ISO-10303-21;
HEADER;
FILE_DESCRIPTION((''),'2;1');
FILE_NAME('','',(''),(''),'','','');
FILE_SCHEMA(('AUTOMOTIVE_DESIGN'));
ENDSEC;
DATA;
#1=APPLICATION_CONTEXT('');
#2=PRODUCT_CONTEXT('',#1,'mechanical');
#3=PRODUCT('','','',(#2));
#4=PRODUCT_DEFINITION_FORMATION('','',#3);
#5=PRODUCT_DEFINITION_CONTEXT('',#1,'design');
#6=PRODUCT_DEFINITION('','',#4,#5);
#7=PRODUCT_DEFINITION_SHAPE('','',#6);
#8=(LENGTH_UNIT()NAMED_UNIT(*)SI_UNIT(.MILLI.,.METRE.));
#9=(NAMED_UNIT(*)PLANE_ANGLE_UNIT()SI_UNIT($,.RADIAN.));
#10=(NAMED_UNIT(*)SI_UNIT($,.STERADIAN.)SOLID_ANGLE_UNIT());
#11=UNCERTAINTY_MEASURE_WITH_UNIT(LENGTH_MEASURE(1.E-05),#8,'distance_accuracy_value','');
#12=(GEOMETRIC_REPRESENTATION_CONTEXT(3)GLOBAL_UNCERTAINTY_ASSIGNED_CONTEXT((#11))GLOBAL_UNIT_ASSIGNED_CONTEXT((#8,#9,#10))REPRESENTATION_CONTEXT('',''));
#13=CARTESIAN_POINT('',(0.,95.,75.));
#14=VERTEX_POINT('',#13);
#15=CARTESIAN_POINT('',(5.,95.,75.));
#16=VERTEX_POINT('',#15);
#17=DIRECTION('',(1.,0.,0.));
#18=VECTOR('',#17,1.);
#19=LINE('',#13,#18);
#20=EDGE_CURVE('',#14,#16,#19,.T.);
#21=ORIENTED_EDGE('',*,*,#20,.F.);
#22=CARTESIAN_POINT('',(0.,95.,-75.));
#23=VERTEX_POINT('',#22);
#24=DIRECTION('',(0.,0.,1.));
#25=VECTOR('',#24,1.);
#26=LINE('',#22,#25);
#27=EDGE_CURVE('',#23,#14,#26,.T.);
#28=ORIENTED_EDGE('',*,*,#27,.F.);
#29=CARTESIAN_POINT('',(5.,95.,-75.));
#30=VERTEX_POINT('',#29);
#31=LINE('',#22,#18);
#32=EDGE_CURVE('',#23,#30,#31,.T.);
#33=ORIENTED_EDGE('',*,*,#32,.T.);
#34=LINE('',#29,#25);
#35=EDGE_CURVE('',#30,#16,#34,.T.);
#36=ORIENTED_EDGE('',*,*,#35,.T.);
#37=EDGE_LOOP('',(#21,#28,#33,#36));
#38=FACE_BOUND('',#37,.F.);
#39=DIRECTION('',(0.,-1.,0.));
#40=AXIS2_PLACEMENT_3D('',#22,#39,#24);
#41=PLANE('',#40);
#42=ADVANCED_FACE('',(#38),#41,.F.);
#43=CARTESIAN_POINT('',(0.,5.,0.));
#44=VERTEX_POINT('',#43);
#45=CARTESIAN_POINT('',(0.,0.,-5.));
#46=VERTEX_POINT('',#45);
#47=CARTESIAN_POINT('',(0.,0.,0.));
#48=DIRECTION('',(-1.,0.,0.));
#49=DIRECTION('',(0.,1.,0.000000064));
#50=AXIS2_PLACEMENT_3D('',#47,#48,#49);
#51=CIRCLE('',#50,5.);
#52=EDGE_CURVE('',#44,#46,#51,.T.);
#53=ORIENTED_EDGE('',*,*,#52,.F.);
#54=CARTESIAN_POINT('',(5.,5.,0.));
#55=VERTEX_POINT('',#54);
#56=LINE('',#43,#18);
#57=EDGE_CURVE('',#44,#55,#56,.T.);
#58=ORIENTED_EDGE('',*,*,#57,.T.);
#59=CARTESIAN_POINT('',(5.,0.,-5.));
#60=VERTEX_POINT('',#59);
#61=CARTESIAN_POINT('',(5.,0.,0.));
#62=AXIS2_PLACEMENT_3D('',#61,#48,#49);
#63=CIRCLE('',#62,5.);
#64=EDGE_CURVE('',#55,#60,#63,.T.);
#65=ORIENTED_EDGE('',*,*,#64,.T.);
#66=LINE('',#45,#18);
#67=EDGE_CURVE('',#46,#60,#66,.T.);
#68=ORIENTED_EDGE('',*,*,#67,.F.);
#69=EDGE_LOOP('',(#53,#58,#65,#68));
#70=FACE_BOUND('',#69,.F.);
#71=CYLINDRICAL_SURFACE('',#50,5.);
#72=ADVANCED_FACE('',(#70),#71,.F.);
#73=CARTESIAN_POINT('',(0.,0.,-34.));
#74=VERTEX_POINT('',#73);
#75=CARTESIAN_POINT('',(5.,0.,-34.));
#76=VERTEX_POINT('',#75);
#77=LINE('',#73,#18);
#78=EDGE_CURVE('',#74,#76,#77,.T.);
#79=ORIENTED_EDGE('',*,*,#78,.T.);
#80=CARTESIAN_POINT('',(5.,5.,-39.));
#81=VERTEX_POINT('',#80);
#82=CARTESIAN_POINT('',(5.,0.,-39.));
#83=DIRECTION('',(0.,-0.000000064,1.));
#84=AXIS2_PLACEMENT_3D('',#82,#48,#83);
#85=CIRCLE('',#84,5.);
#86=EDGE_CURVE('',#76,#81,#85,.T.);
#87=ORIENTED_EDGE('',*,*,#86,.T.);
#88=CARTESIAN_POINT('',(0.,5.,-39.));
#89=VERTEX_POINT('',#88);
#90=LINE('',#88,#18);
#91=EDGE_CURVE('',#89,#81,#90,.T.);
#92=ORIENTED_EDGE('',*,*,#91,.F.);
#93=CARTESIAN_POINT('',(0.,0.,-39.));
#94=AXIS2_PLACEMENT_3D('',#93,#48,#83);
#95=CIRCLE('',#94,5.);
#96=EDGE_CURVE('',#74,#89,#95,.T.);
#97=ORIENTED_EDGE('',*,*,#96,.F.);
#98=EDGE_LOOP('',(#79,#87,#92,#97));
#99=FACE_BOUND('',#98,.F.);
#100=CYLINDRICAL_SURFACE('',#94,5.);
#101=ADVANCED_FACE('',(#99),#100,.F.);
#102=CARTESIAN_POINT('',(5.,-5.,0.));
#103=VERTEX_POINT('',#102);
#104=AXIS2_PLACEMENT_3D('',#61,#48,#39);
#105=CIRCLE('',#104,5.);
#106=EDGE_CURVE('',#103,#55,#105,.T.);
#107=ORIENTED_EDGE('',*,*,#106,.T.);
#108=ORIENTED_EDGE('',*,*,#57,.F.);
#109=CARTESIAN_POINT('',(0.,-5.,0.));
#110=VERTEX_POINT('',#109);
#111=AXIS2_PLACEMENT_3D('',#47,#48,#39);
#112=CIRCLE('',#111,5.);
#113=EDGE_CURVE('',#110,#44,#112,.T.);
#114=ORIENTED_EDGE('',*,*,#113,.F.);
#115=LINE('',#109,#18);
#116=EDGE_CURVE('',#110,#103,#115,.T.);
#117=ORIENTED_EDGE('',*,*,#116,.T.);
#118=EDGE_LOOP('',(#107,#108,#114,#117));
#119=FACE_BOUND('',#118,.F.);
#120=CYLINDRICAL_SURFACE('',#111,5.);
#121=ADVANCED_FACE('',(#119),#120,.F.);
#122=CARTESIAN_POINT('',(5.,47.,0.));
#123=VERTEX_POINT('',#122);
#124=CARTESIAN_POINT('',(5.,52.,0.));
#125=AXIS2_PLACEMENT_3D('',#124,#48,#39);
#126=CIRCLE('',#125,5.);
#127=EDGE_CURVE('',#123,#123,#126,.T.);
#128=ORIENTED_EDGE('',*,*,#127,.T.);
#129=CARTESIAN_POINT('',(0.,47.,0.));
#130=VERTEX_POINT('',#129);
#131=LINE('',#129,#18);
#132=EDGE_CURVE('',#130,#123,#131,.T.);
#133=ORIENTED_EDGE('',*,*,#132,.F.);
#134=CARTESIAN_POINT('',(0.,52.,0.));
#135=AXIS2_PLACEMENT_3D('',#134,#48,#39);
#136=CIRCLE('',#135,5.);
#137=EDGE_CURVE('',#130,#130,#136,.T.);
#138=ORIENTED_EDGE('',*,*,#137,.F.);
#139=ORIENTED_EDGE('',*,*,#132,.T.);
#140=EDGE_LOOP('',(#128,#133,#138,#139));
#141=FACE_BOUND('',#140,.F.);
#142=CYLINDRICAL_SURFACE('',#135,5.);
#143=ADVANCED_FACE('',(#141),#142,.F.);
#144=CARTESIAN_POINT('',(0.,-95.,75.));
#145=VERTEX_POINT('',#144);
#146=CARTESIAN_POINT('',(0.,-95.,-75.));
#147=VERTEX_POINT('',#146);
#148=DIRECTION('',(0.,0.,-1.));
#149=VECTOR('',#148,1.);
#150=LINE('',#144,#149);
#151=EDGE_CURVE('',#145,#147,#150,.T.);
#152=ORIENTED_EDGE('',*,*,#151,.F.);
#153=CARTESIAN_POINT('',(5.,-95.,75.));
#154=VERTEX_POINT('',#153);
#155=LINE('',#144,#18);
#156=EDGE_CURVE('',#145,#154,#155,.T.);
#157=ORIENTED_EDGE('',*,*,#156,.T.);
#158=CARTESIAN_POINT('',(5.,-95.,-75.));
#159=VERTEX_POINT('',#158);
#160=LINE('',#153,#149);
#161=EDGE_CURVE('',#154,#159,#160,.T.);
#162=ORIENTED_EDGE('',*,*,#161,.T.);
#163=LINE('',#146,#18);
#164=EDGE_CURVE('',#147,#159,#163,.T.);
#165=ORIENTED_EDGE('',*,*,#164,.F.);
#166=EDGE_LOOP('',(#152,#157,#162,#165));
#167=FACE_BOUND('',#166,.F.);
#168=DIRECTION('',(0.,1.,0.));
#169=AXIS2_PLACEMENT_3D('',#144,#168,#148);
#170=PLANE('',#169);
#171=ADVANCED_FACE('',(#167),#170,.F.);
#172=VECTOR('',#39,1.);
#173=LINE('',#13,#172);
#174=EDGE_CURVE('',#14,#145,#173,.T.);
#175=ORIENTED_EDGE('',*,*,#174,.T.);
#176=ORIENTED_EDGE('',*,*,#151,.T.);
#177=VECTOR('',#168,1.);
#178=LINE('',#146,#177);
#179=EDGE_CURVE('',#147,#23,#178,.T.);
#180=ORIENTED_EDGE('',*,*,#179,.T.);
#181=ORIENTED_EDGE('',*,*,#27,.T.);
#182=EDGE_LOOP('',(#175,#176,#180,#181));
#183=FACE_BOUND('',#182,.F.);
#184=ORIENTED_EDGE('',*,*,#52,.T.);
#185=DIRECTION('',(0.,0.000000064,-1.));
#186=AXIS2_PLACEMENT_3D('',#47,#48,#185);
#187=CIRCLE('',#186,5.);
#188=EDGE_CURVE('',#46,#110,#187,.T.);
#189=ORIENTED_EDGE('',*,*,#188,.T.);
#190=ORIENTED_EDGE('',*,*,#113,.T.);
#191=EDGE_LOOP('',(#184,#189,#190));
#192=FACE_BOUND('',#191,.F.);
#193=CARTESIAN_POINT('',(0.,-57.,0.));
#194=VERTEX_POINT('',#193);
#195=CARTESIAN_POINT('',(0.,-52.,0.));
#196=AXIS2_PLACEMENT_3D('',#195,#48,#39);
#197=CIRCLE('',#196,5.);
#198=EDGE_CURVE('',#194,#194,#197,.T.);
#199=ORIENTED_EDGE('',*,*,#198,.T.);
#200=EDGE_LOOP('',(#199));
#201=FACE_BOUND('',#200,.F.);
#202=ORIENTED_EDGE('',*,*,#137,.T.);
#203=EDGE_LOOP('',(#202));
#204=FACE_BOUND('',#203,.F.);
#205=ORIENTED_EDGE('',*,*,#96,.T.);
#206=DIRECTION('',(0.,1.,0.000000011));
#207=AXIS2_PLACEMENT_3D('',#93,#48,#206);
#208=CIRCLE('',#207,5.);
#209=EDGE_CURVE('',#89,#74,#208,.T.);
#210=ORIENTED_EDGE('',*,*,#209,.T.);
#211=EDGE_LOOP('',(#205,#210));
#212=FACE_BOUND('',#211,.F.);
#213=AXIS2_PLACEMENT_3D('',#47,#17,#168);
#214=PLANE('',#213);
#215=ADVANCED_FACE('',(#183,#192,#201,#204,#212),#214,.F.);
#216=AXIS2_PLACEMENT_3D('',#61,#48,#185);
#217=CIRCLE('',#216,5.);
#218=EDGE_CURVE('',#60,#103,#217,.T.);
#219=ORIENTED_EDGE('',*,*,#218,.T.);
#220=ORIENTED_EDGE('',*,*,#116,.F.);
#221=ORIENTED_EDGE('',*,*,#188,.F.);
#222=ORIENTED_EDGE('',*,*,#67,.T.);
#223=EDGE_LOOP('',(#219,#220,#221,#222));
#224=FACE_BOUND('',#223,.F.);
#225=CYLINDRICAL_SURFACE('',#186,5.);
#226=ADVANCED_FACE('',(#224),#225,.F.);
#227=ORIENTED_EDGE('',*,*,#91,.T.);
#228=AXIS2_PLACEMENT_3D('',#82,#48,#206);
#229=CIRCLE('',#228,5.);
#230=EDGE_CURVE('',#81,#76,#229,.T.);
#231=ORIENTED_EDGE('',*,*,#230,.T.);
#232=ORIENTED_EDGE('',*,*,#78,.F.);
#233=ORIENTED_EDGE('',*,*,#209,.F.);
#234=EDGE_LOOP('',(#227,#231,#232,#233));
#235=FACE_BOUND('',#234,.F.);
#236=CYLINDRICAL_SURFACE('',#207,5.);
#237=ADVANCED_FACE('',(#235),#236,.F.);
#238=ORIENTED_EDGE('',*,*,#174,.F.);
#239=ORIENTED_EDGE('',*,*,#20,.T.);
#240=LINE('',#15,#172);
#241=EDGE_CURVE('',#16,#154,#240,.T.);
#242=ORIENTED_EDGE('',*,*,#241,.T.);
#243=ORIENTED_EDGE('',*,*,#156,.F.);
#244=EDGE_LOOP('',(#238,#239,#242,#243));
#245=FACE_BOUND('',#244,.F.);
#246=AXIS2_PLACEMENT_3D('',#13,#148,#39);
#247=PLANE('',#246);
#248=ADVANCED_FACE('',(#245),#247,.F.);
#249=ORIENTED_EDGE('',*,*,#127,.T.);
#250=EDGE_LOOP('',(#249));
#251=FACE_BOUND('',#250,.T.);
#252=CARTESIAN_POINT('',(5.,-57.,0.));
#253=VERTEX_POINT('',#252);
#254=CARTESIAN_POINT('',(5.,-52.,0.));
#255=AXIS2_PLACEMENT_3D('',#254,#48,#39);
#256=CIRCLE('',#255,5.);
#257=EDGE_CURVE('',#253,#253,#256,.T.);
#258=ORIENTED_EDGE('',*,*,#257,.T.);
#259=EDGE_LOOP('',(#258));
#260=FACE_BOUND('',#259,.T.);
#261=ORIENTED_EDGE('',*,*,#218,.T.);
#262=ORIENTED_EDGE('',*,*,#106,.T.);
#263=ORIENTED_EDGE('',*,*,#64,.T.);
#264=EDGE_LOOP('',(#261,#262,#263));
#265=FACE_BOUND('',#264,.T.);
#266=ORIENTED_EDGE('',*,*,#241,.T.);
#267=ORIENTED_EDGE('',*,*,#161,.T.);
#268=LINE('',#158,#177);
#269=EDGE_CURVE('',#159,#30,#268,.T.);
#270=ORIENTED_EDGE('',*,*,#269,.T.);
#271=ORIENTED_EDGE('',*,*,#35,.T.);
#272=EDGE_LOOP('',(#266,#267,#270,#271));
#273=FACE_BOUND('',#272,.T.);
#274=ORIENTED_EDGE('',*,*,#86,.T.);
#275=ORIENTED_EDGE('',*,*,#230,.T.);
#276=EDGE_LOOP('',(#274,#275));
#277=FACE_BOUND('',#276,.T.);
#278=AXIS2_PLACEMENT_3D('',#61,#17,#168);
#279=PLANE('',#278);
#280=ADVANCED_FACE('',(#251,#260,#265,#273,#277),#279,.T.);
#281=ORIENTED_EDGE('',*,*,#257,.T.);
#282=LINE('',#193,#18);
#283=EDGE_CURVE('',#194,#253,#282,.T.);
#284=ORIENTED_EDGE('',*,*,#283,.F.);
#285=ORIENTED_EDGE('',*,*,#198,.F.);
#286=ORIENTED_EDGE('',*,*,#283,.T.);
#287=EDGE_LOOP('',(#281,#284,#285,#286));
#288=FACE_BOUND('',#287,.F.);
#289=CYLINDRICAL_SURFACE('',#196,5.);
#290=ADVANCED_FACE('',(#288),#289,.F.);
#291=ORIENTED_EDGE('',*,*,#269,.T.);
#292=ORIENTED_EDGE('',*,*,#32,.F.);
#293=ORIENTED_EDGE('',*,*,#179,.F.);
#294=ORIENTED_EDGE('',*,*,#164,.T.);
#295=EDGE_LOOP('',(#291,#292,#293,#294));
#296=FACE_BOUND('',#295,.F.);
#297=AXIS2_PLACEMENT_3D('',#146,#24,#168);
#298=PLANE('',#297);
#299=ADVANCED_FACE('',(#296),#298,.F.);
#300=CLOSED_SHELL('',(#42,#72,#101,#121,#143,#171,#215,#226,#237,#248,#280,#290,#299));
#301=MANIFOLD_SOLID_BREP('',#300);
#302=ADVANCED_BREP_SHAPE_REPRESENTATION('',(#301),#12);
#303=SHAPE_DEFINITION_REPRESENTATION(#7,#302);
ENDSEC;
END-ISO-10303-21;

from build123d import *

# Parameters (mm, degrees)
F1_DEPTH = 5


with BuildPart() as f1:
    # F0 (on Right) → F1 (new body)
    with BuildSketch(Plane.YZ):
        Polygon((-95, -75), (95, -75), (95, 75), (-95, 75), (-95, 0), align=None)
        with BuildLine():
            ThreePointArc((5, -39), (-3.535534, -42.535534), (0, -34))
            ThreePointArc((0, -34), (3.535534, -35.464466), (5, -39))
        make_face(mode=Mode.SUBTRACT)
        with BuildLine():
            ThreePointArc((-47, 0), (-52, -5), (-57, 0))
            ThreePointArc((-57, 0), (-52, 5), (-47, 0))
        make_face(mode=Mode.SUBTRACT)
        with BuildLine():
            ThreePointArc((0, -5), (-3.535534, -3.535534), (-5, 0))
            ThreePointArc((-5, 0), (0, 5), (5, 0))
            ThreePointArc((5, 0), (3.535534, -3.535534), (0, -5))
        make_face(mode=Mode.SUBTRACT)
        with BuildLine():
            ThreePointArc((57, 0), (52, -5), (47, 0))
            ThreePointArc((47, 0), (52, 5), (57, 0))
        make_face(mode=Mode.SUBTRACT)
    extrude(amount=F1_DEPTH)


solid = f1.part
